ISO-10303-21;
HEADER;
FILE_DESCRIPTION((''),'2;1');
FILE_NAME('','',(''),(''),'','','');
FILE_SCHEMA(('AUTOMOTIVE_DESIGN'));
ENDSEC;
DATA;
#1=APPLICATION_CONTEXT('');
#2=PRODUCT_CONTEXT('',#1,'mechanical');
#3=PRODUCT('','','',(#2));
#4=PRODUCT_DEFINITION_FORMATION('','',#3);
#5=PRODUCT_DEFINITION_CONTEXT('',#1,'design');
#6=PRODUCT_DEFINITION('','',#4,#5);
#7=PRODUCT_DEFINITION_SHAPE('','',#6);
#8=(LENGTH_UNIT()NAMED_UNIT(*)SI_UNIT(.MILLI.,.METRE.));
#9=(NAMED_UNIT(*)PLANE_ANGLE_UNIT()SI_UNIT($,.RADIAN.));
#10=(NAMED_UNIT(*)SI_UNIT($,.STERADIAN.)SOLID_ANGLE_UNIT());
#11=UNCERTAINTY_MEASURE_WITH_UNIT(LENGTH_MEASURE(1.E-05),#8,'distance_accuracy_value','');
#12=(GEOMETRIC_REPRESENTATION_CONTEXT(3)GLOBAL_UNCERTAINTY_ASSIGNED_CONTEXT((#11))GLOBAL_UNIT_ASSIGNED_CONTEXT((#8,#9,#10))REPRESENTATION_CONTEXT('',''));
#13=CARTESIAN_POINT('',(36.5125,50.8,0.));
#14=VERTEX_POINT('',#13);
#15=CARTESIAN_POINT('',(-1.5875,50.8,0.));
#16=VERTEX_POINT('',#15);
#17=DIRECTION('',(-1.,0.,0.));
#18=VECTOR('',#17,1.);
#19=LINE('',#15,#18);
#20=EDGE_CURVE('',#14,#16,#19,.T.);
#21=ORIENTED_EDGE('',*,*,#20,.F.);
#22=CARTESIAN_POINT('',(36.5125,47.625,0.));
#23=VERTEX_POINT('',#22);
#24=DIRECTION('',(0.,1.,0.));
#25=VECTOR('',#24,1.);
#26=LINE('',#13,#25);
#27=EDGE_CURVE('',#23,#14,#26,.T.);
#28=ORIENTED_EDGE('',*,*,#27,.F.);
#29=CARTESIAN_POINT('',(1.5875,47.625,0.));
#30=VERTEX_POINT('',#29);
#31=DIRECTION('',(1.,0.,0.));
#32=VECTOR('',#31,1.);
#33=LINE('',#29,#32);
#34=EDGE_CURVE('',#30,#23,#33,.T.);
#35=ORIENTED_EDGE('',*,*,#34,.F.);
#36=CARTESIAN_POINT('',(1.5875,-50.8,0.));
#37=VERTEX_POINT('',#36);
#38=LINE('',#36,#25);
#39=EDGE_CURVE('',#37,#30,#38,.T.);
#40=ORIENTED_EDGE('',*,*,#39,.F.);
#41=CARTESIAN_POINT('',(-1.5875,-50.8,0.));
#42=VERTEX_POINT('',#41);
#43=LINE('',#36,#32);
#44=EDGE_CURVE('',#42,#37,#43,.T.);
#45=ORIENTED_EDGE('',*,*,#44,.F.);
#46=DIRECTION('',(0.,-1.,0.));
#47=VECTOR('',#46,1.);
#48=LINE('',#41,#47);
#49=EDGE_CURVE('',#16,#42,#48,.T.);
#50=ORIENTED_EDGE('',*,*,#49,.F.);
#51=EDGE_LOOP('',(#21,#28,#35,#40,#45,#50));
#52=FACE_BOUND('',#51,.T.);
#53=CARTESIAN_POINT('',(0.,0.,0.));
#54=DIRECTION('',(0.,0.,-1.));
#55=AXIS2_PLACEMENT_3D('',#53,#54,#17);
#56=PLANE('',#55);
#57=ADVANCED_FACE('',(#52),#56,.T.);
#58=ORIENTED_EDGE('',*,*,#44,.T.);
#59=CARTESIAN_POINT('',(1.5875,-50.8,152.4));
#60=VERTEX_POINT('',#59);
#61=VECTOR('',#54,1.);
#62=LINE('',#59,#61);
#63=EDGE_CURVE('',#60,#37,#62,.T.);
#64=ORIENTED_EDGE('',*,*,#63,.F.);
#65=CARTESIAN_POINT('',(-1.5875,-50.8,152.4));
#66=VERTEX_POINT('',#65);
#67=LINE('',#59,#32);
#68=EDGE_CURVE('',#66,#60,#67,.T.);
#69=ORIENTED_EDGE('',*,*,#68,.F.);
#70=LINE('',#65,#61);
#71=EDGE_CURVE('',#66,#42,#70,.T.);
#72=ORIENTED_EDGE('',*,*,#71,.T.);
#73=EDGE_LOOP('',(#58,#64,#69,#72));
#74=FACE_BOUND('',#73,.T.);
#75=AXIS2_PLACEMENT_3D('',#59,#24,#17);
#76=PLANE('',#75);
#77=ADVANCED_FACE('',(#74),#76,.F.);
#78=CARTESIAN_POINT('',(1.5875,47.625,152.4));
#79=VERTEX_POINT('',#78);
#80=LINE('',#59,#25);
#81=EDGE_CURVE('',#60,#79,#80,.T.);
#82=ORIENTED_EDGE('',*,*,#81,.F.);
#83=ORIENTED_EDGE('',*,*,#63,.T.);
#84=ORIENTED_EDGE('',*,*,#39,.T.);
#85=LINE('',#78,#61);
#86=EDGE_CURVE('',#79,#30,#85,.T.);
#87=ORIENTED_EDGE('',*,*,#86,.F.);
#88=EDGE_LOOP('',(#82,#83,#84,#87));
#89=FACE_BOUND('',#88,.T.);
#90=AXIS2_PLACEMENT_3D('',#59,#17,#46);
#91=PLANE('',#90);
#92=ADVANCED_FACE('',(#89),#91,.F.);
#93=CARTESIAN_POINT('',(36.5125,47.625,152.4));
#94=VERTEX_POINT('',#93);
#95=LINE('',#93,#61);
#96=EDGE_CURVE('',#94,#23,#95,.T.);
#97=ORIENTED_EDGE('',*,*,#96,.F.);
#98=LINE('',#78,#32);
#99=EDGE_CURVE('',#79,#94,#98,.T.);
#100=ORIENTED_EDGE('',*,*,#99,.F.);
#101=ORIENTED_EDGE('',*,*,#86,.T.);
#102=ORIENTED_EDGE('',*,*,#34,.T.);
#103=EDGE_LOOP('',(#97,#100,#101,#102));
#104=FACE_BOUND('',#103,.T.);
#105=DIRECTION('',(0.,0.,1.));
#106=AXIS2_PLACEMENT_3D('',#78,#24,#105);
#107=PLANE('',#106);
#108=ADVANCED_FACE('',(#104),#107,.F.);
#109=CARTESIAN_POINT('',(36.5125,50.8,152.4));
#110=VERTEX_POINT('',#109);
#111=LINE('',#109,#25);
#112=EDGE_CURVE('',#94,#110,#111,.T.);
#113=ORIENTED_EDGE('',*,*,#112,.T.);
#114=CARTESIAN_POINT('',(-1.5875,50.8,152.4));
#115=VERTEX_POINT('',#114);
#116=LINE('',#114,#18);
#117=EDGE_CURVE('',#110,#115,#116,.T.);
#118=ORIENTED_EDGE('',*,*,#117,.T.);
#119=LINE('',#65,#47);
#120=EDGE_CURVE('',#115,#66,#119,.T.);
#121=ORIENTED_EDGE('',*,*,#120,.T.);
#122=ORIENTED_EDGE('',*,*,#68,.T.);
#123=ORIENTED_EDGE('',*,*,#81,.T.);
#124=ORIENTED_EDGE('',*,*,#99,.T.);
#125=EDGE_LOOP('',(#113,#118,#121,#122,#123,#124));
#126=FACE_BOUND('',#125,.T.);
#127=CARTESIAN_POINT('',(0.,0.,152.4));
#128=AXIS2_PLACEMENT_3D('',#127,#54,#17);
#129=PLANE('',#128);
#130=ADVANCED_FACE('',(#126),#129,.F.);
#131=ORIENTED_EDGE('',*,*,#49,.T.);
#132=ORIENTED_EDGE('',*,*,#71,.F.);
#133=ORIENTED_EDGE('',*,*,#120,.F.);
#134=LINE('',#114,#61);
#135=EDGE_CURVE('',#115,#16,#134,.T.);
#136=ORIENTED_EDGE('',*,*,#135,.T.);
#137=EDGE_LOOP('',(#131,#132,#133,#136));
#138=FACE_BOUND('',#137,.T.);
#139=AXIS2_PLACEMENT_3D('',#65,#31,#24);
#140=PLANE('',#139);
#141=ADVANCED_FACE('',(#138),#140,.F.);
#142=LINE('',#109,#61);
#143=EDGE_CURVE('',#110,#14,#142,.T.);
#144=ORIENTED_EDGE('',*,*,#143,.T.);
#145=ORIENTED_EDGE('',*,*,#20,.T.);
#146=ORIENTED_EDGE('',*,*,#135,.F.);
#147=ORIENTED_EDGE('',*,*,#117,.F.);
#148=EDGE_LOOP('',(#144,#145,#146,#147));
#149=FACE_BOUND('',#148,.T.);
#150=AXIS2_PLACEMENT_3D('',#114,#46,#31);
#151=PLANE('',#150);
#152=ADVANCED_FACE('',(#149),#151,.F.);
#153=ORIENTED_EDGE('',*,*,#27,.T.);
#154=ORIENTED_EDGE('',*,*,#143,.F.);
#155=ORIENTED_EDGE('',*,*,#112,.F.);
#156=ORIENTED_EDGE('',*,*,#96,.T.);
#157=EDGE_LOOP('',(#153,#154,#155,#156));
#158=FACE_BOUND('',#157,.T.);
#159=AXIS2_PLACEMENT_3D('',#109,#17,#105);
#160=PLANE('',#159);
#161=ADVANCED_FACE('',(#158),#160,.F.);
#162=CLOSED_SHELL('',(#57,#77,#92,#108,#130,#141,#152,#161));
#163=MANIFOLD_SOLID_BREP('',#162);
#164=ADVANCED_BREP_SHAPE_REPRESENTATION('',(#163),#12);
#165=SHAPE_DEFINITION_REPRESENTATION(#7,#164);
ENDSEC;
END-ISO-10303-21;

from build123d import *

# Parameters (mm, degrees)
BOSS_EXTRUDE1_DEPTH = 152.4


with BuildPart() as part:
    # Sketch1 → Boss-Extrude1 (new body)
    with BuildSketch(Plane.XY):
        Polygon((1.5875, 47.625), (36.5125, 47.625), (36.5125, 50.8), (-1.5875, 50.8), (-1.5875, -50.8), (1.5875, -50.8), align=None)
    extrude(amount=BOSS_EXTRUDE1_DEPTH)


solid = part.part
